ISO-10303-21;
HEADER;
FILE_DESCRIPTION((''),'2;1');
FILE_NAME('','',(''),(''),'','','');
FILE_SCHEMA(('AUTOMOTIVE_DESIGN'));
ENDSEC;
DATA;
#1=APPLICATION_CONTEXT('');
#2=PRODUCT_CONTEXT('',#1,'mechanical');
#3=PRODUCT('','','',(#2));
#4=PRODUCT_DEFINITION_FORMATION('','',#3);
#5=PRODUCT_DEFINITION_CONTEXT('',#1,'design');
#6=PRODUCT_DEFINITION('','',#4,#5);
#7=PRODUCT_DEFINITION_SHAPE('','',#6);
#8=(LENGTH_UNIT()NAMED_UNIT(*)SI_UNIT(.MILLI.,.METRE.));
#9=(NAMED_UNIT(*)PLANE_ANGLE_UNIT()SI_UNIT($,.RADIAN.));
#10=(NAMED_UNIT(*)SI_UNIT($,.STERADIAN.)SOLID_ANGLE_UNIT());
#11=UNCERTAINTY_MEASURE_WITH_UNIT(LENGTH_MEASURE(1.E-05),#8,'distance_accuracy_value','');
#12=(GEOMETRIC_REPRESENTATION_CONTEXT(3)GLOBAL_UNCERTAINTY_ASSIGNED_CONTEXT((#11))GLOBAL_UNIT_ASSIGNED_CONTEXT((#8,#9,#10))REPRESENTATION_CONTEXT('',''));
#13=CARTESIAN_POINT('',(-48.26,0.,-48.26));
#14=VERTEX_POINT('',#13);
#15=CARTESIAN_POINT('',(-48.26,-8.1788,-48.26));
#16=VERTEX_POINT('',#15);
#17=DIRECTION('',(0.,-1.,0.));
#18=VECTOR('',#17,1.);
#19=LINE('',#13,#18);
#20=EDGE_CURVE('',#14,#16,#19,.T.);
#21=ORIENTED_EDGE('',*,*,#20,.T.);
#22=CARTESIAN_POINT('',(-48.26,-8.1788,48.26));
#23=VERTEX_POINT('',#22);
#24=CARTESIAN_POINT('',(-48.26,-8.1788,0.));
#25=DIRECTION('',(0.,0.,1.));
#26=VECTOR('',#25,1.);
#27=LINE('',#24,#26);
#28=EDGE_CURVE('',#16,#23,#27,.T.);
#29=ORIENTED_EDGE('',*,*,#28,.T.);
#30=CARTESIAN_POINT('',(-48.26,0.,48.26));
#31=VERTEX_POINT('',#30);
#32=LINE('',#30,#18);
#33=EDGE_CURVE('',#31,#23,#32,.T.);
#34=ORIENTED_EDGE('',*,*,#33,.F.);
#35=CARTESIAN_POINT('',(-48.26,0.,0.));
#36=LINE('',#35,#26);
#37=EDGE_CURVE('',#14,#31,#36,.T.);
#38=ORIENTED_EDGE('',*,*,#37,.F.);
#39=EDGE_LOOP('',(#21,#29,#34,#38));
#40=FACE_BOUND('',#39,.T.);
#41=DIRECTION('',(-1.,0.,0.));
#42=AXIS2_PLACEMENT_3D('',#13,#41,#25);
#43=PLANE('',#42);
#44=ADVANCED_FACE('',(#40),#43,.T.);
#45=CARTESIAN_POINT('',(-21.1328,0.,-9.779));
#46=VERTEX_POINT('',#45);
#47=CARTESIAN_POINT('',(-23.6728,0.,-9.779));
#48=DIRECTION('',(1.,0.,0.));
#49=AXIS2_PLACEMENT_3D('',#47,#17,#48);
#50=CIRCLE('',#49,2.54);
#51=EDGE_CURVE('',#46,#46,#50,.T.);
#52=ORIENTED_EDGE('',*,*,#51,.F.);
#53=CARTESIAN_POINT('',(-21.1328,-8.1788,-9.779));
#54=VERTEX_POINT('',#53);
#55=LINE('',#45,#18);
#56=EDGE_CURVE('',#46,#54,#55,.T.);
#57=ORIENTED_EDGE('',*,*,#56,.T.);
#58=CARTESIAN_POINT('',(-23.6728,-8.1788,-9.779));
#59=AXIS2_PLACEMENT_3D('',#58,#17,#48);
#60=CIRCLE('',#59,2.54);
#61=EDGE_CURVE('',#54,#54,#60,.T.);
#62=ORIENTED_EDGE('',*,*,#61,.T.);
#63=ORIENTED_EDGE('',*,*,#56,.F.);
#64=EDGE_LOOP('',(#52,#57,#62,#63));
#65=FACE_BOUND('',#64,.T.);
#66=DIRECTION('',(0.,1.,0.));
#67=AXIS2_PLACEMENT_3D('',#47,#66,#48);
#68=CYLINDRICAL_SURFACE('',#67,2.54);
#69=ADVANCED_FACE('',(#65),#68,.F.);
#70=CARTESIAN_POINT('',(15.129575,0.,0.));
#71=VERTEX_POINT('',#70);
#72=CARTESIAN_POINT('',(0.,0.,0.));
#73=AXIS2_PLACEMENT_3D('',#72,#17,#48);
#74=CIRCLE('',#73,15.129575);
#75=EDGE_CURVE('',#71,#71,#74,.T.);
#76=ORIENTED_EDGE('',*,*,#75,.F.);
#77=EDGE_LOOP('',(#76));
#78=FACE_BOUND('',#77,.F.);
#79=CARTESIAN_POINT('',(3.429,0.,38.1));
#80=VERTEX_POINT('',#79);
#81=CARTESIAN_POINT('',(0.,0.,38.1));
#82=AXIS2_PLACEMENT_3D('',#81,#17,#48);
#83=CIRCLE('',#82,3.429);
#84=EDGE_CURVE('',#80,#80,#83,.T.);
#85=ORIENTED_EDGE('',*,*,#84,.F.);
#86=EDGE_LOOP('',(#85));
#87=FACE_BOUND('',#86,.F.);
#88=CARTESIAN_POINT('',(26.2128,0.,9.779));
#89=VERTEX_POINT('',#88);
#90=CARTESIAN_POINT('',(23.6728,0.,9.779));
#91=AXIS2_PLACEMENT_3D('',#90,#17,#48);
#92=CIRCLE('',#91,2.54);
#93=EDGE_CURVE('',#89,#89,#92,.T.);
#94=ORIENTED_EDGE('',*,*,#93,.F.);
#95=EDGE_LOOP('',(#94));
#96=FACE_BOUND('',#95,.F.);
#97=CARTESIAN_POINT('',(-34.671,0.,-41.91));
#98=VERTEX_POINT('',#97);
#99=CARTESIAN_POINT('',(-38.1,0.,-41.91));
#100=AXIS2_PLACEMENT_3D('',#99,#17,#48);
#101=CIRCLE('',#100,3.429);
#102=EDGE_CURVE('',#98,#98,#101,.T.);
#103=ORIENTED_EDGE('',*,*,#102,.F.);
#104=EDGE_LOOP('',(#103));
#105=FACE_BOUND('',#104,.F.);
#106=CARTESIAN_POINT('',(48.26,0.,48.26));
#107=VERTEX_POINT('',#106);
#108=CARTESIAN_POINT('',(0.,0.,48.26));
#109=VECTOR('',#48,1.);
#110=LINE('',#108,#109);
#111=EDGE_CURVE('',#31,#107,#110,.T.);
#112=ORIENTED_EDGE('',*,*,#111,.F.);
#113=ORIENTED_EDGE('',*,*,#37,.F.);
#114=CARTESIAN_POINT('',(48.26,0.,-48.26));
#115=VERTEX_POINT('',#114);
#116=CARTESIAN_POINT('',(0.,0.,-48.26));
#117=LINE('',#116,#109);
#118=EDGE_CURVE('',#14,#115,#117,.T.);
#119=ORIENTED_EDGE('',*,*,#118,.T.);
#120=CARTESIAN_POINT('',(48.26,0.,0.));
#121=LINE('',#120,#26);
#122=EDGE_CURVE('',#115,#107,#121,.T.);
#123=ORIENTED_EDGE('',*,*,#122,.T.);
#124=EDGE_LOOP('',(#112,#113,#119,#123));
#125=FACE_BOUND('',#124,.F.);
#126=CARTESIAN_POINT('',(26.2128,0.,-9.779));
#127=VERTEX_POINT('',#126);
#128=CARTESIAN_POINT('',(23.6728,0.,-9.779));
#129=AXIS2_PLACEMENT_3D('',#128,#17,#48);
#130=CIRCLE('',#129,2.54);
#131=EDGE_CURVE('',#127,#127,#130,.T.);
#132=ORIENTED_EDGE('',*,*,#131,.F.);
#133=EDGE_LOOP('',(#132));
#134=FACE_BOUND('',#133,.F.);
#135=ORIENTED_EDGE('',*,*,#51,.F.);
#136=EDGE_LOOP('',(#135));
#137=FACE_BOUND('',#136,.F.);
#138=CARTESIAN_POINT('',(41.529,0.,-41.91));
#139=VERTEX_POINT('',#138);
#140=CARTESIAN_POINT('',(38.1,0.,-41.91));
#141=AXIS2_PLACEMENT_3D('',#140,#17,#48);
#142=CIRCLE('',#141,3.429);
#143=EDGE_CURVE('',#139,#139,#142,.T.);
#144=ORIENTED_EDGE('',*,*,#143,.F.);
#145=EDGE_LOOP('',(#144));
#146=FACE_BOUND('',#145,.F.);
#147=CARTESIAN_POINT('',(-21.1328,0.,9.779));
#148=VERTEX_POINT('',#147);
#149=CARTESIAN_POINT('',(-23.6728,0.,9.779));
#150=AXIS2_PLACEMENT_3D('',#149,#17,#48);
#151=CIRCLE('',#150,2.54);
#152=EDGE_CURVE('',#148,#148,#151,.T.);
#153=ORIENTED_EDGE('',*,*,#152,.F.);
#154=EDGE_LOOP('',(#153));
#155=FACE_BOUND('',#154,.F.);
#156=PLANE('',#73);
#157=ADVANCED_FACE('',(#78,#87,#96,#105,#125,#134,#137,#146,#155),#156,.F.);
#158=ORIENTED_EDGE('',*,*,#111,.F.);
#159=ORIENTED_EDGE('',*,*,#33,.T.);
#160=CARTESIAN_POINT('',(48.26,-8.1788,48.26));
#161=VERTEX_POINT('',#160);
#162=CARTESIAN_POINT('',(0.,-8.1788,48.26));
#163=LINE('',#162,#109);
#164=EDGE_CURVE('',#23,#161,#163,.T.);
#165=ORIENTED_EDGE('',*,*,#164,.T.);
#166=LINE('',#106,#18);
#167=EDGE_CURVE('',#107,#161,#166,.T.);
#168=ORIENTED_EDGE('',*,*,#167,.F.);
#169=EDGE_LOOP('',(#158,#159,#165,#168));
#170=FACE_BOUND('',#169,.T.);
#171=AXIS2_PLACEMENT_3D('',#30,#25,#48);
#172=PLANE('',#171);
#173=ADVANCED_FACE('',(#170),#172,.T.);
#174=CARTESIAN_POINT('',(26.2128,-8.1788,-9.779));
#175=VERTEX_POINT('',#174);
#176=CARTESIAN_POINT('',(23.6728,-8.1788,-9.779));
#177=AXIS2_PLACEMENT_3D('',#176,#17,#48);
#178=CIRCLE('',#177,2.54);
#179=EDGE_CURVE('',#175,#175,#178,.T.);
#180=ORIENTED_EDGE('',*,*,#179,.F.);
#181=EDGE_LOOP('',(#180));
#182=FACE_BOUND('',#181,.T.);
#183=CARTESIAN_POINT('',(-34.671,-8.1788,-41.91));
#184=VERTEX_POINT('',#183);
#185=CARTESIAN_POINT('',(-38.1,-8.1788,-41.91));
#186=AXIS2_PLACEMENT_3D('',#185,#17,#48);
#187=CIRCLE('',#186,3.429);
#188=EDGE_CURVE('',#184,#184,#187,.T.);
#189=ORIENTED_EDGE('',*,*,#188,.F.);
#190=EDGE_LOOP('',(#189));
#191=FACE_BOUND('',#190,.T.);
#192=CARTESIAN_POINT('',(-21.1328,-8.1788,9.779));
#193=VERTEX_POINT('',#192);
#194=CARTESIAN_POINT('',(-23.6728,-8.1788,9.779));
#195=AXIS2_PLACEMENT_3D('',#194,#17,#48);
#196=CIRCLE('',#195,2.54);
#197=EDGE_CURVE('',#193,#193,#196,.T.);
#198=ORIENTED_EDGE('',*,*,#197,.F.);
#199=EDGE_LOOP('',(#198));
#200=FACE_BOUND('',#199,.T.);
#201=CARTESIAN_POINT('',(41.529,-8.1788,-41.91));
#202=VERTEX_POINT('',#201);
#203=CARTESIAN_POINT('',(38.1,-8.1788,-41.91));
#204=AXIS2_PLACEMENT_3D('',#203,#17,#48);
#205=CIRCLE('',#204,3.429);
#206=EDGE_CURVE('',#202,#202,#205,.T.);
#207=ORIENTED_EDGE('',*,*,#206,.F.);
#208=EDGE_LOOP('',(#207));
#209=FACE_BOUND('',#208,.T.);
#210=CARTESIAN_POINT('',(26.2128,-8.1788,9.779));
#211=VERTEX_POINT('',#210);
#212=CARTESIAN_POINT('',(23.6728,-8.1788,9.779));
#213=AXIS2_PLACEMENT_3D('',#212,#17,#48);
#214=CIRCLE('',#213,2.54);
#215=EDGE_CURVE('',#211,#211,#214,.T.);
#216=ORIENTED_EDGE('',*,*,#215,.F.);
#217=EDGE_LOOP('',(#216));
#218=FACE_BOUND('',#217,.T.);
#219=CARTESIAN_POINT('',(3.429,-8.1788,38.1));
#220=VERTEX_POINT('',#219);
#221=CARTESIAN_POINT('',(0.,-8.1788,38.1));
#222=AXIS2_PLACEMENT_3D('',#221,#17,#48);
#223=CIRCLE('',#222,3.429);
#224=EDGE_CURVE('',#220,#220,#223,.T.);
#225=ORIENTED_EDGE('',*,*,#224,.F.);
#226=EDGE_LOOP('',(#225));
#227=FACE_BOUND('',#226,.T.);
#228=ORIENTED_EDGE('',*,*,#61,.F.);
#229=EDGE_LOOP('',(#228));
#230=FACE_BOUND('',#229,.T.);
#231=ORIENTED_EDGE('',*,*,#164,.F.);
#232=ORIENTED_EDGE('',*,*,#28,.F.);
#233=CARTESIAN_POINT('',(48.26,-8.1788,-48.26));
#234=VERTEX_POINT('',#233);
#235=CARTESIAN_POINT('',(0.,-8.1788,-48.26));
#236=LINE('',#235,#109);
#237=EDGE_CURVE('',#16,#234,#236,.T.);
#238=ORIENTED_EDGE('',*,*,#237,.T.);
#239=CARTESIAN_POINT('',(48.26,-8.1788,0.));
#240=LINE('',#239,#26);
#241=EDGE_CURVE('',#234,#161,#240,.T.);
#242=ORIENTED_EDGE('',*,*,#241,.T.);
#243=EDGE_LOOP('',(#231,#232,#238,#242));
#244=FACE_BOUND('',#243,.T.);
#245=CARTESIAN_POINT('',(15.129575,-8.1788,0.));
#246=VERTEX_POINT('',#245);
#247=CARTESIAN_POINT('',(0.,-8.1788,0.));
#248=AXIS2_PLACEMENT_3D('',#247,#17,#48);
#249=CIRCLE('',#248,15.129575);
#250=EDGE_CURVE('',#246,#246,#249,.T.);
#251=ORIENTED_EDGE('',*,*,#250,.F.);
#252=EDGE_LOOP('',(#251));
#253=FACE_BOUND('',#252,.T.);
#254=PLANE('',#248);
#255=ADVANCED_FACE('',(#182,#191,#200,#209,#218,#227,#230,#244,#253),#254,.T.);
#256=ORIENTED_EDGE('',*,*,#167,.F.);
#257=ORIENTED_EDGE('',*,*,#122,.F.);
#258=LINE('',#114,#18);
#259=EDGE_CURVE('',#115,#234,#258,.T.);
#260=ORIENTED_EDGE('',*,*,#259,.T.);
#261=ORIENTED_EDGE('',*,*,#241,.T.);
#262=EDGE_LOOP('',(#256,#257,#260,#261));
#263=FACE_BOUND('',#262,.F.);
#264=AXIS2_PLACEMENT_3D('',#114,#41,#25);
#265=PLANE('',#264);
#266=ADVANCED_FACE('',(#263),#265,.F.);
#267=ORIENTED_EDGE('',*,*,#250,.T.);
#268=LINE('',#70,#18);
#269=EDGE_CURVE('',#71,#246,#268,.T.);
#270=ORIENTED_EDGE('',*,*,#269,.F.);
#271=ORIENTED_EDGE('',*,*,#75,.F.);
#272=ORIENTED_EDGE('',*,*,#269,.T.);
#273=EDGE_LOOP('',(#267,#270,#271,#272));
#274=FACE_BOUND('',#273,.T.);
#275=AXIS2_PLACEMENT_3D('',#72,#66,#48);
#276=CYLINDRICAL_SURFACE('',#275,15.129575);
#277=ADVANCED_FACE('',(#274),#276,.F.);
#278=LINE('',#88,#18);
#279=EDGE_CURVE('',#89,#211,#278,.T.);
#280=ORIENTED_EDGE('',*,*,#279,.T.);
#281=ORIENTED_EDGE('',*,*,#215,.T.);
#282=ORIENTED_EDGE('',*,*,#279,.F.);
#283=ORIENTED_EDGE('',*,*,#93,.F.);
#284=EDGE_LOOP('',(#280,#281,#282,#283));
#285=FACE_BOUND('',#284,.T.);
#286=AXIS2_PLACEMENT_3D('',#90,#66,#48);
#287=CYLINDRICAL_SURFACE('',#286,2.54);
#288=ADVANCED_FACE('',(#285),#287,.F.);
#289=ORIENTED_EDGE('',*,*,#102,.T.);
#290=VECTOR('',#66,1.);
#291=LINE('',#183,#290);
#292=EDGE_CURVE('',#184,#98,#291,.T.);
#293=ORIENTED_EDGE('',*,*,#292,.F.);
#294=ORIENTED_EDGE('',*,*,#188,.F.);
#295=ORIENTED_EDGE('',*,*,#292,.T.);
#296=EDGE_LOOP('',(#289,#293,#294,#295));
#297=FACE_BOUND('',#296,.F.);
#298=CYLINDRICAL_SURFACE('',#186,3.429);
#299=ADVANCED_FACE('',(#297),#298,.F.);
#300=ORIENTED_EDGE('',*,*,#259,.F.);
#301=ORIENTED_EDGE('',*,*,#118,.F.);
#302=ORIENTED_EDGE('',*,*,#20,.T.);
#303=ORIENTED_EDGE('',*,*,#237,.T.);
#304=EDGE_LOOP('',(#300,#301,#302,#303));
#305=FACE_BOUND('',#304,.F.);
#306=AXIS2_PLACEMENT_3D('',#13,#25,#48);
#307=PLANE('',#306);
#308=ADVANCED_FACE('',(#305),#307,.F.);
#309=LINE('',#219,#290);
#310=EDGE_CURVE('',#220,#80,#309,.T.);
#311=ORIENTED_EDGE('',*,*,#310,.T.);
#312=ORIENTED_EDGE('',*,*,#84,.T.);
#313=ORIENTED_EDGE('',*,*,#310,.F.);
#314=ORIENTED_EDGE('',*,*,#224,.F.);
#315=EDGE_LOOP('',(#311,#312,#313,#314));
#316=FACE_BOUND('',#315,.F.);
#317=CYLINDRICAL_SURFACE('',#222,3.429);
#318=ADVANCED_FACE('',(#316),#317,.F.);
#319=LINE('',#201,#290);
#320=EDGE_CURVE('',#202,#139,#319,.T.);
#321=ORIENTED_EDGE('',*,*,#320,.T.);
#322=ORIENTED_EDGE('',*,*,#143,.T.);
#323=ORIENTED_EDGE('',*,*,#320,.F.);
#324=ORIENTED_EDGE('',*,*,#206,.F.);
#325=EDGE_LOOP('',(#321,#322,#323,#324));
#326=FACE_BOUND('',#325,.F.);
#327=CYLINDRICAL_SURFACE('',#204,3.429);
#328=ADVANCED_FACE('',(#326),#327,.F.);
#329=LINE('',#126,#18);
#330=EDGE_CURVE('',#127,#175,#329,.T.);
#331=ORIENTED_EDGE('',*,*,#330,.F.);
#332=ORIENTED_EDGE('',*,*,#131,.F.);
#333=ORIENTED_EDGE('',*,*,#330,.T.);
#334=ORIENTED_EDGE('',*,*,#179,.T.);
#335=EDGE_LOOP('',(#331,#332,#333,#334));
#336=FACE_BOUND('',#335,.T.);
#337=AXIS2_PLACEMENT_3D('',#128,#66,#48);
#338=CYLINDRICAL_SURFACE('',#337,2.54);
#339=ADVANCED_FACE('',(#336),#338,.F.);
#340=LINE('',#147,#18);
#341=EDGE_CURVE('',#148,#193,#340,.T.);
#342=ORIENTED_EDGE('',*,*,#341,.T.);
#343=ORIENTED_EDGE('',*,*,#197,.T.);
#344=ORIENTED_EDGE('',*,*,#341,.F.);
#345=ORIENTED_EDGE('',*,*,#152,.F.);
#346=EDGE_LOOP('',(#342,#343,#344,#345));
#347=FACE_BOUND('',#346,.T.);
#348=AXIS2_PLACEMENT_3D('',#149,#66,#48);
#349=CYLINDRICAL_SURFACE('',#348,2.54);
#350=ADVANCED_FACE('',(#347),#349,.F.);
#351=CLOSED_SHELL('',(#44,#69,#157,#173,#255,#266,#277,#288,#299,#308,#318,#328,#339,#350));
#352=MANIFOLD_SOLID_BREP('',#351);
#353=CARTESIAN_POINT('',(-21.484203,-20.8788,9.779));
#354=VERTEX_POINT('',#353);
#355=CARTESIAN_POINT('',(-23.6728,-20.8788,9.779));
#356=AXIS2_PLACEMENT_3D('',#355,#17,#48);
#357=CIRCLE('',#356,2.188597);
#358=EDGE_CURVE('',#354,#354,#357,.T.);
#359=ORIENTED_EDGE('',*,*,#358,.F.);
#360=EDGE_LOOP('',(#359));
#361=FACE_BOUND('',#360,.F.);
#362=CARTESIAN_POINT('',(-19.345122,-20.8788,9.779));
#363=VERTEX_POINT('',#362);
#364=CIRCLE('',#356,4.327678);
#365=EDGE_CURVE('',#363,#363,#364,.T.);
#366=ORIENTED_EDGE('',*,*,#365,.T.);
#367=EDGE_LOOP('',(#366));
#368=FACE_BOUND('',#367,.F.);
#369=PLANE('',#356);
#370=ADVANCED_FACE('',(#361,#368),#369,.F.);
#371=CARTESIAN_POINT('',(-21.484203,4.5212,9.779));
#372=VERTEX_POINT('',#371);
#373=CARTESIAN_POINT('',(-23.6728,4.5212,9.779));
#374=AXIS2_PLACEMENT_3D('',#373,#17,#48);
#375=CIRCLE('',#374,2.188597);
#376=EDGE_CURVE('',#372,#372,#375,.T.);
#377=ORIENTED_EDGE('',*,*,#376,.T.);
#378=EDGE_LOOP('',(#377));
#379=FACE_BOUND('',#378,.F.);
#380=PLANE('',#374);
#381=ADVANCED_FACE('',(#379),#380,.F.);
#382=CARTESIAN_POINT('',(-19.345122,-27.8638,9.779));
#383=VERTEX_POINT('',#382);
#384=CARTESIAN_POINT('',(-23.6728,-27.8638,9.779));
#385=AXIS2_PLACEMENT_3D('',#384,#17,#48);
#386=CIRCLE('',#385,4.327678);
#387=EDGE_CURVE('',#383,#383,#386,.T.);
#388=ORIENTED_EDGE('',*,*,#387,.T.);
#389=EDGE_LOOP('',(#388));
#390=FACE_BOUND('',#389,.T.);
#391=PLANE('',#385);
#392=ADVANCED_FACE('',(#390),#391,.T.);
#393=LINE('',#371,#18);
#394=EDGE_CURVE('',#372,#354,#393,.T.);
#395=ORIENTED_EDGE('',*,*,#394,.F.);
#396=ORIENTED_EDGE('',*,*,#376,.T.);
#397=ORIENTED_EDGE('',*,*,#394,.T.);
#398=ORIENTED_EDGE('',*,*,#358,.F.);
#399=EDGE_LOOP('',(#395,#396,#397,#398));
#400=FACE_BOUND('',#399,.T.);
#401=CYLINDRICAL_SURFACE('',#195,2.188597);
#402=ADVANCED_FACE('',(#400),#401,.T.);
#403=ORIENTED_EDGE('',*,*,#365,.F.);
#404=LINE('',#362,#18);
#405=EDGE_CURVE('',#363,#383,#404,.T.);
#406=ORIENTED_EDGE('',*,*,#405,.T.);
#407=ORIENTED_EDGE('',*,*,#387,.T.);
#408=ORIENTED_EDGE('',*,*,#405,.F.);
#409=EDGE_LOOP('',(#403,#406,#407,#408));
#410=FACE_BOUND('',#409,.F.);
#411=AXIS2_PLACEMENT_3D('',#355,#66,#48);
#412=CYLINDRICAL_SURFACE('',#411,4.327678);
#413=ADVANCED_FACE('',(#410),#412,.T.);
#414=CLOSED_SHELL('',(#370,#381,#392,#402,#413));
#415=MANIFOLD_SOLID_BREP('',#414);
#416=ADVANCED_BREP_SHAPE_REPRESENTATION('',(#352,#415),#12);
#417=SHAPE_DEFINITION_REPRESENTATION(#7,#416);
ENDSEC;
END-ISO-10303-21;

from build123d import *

# Parameters (mm, degrees)
F0_W     = 96.52
F0_H     = 96.52
F0_R     = 2.54
F0_R_2   = 15.129575
F1_DEPTH = 8.1788
F2_R     = 3.429
F3_DEPTH = 8.1798
F4_R     = 2.188597
F5_DEPTH = 12.7
F6_R     = 4.327678
F7_DEPTH = 6.985


with BuildPart() as f1:
    # F0 (on Front) → F1 (new body)
    with BuildSketch(Plane.XZ):
        Rectangle(F0_W, F0_H)
        with Locations((-23.6728, -9.779)):
            Circle(F0_R, mode=Mode.SUBTRACT)
        with Locations((23.6728, -9.779)):
            Circle(F0_R, mode=Mode.SUBTRACT)
        with Locations((-23.6728, 9.779)):
            Circle(F0_R, mode=Mode.SUBTRACT)
        Circle(F0_R_2, mode=Mode.SUBTRACT)
        with Locations((23.6728, 9.779)):
            Circle(F0_R, mode=Mode.SUBTRACT)
    extrude(amount=F1_DEPTH)

    # F2 (on face) → F3 (cut, through all)
    with BuildSketch(Plane.XZ.offset(8.1788)):
        with Locations((0, 38.1)):
            Circle(F2_R)
        with Locations((38.1, -41.91)):
            Circle(F2_R)
        with Locations((-38.1, -41.91)):
            Circle(F2_R)
    extrude(amount=-F3_DEPTH, mode=Mode.SUBTRACT)


with BuildPart() as f5:
    # F4 (on face) → F5 (new body, symmetric)
    with BuildSketch(Plane.XZ.offset(8.1788)):
        with Locations((-23.6728, 9.779)):
            Circle(F4_R)
    extrude(amount=F5_DEPTH, both=True)

    # F6 (on face) → F7 (join)
    with BuildSketch(Plane.XZ.offset(20.8788)):
        with Locations((-23.6728, 9.779)):
            Circle(F6_R)
    extrude(amount=F7_DEPTH)


solid = Compound([f1.part, f5.part])
